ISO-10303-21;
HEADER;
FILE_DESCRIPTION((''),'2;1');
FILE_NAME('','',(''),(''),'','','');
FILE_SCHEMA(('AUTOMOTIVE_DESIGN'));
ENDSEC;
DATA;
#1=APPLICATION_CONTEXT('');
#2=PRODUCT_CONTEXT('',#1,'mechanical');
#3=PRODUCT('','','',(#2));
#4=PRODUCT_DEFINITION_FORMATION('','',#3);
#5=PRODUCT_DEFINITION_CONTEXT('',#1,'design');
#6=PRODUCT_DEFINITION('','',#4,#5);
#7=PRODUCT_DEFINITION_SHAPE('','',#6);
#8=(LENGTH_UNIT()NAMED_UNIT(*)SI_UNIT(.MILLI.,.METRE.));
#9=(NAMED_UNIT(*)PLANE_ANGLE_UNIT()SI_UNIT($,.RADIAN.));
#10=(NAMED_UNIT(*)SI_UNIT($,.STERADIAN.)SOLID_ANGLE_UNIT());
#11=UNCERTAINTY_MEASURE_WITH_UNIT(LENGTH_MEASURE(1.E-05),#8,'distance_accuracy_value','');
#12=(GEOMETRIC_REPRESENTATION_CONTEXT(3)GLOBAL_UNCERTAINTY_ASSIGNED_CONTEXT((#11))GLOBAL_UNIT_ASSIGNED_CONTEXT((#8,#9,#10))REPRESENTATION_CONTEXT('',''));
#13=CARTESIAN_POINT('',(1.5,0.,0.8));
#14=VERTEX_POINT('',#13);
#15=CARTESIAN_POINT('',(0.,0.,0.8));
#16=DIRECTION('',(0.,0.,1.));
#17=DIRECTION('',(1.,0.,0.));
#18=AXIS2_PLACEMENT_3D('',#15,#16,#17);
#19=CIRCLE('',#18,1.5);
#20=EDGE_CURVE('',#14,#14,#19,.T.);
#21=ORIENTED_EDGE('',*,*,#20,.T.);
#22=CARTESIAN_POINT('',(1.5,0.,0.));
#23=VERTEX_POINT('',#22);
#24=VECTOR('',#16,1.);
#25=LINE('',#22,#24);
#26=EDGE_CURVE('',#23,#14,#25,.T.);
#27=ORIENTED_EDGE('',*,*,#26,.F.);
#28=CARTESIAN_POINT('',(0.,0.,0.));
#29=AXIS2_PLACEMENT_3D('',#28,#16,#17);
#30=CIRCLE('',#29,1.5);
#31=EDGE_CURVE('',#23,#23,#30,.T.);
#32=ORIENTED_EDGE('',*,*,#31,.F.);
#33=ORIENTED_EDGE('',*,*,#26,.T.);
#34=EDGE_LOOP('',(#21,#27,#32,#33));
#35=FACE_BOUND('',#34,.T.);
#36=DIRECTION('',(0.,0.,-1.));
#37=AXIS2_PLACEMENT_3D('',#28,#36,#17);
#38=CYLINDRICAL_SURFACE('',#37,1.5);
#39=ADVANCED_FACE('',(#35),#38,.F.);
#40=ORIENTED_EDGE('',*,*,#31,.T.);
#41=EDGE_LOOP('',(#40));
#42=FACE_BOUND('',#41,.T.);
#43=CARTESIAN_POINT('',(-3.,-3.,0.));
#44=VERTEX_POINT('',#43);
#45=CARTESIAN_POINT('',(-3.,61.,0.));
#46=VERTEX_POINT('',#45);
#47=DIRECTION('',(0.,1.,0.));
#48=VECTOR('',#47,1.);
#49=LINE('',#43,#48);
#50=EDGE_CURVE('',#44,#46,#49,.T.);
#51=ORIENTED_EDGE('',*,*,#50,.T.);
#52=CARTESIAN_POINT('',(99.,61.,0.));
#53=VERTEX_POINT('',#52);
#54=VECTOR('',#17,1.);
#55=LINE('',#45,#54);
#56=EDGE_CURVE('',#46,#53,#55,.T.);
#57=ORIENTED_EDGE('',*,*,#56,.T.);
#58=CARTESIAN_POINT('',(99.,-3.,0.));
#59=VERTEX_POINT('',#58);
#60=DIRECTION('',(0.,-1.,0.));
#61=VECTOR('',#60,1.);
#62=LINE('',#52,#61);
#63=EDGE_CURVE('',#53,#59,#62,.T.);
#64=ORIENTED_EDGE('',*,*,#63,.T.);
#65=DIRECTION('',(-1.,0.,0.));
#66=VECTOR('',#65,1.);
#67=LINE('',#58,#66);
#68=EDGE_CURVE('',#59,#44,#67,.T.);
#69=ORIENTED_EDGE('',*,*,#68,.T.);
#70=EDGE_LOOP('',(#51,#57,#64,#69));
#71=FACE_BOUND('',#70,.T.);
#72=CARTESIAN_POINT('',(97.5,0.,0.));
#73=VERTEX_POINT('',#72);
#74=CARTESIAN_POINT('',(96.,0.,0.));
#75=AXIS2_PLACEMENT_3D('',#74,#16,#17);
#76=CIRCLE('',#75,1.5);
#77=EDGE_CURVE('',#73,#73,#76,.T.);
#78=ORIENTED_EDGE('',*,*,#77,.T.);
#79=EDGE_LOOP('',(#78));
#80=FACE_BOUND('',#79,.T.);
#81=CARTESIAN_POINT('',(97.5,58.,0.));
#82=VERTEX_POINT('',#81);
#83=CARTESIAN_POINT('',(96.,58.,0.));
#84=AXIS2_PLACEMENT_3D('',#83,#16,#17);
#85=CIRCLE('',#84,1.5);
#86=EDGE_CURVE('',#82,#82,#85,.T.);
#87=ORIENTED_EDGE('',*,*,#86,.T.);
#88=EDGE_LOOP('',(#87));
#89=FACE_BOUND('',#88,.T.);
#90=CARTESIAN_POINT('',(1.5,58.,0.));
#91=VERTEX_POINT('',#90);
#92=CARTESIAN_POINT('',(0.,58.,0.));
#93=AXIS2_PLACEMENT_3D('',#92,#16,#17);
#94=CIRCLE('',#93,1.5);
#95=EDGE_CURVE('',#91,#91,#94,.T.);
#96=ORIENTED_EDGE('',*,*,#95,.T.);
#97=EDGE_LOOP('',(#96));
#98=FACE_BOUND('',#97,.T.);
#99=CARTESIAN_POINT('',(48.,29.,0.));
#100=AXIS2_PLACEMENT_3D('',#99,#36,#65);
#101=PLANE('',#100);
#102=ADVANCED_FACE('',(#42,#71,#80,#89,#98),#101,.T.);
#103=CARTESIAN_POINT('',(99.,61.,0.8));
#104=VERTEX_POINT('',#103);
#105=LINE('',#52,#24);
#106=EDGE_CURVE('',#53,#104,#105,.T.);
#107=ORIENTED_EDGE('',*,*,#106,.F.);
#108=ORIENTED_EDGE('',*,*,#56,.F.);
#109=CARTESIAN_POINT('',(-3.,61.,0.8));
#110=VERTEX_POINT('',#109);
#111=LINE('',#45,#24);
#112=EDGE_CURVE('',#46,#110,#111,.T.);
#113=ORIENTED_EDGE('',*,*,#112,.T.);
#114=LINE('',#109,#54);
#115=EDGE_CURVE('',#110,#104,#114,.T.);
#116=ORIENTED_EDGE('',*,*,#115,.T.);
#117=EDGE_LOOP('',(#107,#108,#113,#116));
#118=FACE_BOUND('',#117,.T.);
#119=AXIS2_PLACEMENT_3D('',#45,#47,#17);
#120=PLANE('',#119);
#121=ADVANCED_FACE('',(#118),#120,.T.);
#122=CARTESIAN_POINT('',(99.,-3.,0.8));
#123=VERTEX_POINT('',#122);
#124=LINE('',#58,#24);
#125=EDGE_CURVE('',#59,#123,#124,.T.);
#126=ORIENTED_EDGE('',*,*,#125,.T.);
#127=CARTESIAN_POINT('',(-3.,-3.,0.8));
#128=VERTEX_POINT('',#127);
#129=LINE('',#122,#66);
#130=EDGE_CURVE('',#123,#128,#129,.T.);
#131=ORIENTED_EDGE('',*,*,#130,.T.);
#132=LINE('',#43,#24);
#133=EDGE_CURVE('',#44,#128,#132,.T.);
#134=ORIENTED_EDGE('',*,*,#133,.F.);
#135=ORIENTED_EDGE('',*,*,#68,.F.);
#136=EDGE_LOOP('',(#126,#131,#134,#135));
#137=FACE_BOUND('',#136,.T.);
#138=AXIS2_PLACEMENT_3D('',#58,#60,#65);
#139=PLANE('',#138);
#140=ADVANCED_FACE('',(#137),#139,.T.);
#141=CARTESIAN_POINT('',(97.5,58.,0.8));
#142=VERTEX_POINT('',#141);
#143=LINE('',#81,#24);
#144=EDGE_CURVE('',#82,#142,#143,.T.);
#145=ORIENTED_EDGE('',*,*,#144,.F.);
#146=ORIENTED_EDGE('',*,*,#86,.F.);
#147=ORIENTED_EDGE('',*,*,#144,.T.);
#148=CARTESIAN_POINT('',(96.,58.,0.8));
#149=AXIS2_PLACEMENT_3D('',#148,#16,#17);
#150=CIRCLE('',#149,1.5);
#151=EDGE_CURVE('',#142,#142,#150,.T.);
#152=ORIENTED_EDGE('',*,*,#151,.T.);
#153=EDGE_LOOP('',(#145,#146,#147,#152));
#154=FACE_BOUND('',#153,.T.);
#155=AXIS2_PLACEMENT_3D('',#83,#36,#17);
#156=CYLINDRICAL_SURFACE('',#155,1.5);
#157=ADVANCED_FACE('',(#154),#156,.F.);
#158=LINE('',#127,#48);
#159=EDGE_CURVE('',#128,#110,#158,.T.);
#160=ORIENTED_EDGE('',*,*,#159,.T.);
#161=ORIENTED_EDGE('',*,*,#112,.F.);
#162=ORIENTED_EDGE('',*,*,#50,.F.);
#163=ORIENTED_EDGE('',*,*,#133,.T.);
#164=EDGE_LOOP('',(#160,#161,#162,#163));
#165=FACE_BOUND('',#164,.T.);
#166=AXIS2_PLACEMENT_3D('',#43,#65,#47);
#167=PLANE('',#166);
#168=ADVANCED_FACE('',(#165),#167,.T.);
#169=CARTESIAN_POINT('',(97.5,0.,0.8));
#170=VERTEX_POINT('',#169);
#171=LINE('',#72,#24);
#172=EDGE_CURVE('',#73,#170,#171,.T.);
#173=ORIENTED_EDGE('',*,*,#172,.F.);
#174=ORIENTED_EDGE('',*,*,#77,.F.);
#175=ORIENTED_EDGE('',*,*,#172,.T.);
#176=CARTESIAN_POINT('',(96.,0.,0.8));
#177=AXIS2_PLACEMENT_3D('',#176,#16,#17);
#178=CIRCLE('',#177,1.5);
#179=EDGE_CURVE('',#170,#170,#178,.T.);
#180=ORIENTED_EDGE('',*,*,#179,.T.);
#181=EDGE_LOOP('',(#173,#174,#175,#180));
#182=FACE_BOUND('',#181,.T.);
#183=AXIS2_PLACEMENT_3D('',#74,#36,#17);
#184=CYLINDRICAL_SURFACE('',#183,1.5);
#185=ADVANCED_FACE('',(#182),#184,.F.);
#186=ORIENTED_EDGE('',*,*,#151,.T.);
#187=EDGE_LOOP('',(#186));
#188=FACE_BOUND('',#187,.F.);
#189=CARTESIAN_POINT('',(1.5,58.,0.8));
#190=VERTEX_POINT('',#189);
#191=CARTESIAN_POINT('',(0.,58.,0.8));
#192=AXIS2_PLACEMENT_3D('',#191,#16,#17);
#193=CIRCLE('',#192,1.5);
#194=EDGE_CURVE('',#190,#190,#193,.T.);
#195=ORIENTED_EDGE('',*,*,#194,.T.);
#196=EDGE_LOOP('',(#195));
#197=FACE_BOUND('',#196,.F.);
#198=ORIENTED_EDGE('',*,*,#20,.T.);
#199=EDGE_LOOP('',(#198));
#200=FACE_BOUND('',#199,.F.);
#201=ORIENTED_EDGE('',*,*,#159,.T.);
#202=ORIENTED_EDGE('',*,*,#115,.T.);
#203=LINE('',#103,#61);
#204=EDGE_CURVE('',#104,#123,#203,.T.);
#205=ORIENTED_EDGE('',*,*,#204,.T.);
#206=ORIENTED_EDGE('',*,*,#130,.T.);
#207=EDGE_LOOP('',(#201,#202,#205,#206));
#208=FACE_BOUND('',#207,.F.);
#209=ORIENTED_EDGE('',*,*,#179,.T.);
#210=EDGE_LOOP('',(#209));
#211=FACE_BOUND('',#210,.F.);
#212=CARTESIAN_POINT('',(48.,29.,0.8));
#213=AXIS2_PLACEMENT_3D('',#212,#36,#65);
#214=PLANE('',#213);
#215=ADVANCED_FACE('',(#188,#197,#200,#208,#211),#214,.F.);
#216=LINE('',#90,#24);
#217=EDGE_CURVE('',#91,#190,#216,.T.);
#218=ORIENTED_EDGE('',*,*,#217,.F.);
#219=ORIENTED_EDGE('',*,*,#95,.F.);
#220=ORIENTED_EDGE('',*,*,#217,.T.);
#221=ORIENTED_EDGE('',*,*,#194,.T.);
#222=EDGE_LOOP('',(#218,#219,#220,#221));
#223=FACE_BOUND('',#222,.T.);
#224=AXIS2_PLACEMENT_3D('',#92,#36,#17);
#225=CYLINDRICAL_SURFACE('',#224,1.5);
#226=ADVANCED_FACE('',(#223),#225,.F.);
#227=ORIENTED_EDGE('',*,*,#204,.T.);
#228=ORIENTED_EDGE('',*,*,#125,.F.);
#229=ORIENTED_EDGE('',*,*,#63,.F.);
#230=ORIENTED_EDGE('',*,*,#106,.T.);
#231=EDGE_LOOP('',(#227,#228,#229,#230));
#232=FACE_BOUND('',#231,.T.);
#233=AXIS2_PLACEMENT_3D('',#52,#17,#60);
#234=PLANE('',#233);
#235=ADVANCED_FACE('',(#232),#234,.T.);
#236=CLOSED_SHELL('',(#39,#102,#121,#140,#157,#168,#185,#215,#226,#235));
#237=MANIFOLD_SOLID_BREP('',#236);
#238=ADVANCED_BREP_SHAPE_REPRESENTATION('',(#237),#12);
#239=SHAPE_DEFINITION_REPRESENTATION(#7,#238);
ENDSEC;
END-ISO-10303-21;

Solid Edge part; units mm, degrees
sketch "Sketch1" plane through (0, 0, 0) normal (0, 0, 1) x (1, 0, 0)
  circle A0 centre (0, 58) radius 1.5
  circle A1 centre (96, 58) radius 1.5
  circle A2 centre (96, 0) radius 1.5
  line L0 (-3, -3) -> (-3, 61)
  line L1 (-3, 61) -> (99, 61)
  line L2 (99, 61) -> (99, -3)
  line L3 (99, -3) -> (-3, -3)
  circle A3 centre (0, 0) radius 1.5
  dimension "D1" = 96
  dimension "D2" = 58
extrude "Protrusion1" add sketch "Sketch1" along normal blind 0.8
properties material "Epoxy, cast rigid"
